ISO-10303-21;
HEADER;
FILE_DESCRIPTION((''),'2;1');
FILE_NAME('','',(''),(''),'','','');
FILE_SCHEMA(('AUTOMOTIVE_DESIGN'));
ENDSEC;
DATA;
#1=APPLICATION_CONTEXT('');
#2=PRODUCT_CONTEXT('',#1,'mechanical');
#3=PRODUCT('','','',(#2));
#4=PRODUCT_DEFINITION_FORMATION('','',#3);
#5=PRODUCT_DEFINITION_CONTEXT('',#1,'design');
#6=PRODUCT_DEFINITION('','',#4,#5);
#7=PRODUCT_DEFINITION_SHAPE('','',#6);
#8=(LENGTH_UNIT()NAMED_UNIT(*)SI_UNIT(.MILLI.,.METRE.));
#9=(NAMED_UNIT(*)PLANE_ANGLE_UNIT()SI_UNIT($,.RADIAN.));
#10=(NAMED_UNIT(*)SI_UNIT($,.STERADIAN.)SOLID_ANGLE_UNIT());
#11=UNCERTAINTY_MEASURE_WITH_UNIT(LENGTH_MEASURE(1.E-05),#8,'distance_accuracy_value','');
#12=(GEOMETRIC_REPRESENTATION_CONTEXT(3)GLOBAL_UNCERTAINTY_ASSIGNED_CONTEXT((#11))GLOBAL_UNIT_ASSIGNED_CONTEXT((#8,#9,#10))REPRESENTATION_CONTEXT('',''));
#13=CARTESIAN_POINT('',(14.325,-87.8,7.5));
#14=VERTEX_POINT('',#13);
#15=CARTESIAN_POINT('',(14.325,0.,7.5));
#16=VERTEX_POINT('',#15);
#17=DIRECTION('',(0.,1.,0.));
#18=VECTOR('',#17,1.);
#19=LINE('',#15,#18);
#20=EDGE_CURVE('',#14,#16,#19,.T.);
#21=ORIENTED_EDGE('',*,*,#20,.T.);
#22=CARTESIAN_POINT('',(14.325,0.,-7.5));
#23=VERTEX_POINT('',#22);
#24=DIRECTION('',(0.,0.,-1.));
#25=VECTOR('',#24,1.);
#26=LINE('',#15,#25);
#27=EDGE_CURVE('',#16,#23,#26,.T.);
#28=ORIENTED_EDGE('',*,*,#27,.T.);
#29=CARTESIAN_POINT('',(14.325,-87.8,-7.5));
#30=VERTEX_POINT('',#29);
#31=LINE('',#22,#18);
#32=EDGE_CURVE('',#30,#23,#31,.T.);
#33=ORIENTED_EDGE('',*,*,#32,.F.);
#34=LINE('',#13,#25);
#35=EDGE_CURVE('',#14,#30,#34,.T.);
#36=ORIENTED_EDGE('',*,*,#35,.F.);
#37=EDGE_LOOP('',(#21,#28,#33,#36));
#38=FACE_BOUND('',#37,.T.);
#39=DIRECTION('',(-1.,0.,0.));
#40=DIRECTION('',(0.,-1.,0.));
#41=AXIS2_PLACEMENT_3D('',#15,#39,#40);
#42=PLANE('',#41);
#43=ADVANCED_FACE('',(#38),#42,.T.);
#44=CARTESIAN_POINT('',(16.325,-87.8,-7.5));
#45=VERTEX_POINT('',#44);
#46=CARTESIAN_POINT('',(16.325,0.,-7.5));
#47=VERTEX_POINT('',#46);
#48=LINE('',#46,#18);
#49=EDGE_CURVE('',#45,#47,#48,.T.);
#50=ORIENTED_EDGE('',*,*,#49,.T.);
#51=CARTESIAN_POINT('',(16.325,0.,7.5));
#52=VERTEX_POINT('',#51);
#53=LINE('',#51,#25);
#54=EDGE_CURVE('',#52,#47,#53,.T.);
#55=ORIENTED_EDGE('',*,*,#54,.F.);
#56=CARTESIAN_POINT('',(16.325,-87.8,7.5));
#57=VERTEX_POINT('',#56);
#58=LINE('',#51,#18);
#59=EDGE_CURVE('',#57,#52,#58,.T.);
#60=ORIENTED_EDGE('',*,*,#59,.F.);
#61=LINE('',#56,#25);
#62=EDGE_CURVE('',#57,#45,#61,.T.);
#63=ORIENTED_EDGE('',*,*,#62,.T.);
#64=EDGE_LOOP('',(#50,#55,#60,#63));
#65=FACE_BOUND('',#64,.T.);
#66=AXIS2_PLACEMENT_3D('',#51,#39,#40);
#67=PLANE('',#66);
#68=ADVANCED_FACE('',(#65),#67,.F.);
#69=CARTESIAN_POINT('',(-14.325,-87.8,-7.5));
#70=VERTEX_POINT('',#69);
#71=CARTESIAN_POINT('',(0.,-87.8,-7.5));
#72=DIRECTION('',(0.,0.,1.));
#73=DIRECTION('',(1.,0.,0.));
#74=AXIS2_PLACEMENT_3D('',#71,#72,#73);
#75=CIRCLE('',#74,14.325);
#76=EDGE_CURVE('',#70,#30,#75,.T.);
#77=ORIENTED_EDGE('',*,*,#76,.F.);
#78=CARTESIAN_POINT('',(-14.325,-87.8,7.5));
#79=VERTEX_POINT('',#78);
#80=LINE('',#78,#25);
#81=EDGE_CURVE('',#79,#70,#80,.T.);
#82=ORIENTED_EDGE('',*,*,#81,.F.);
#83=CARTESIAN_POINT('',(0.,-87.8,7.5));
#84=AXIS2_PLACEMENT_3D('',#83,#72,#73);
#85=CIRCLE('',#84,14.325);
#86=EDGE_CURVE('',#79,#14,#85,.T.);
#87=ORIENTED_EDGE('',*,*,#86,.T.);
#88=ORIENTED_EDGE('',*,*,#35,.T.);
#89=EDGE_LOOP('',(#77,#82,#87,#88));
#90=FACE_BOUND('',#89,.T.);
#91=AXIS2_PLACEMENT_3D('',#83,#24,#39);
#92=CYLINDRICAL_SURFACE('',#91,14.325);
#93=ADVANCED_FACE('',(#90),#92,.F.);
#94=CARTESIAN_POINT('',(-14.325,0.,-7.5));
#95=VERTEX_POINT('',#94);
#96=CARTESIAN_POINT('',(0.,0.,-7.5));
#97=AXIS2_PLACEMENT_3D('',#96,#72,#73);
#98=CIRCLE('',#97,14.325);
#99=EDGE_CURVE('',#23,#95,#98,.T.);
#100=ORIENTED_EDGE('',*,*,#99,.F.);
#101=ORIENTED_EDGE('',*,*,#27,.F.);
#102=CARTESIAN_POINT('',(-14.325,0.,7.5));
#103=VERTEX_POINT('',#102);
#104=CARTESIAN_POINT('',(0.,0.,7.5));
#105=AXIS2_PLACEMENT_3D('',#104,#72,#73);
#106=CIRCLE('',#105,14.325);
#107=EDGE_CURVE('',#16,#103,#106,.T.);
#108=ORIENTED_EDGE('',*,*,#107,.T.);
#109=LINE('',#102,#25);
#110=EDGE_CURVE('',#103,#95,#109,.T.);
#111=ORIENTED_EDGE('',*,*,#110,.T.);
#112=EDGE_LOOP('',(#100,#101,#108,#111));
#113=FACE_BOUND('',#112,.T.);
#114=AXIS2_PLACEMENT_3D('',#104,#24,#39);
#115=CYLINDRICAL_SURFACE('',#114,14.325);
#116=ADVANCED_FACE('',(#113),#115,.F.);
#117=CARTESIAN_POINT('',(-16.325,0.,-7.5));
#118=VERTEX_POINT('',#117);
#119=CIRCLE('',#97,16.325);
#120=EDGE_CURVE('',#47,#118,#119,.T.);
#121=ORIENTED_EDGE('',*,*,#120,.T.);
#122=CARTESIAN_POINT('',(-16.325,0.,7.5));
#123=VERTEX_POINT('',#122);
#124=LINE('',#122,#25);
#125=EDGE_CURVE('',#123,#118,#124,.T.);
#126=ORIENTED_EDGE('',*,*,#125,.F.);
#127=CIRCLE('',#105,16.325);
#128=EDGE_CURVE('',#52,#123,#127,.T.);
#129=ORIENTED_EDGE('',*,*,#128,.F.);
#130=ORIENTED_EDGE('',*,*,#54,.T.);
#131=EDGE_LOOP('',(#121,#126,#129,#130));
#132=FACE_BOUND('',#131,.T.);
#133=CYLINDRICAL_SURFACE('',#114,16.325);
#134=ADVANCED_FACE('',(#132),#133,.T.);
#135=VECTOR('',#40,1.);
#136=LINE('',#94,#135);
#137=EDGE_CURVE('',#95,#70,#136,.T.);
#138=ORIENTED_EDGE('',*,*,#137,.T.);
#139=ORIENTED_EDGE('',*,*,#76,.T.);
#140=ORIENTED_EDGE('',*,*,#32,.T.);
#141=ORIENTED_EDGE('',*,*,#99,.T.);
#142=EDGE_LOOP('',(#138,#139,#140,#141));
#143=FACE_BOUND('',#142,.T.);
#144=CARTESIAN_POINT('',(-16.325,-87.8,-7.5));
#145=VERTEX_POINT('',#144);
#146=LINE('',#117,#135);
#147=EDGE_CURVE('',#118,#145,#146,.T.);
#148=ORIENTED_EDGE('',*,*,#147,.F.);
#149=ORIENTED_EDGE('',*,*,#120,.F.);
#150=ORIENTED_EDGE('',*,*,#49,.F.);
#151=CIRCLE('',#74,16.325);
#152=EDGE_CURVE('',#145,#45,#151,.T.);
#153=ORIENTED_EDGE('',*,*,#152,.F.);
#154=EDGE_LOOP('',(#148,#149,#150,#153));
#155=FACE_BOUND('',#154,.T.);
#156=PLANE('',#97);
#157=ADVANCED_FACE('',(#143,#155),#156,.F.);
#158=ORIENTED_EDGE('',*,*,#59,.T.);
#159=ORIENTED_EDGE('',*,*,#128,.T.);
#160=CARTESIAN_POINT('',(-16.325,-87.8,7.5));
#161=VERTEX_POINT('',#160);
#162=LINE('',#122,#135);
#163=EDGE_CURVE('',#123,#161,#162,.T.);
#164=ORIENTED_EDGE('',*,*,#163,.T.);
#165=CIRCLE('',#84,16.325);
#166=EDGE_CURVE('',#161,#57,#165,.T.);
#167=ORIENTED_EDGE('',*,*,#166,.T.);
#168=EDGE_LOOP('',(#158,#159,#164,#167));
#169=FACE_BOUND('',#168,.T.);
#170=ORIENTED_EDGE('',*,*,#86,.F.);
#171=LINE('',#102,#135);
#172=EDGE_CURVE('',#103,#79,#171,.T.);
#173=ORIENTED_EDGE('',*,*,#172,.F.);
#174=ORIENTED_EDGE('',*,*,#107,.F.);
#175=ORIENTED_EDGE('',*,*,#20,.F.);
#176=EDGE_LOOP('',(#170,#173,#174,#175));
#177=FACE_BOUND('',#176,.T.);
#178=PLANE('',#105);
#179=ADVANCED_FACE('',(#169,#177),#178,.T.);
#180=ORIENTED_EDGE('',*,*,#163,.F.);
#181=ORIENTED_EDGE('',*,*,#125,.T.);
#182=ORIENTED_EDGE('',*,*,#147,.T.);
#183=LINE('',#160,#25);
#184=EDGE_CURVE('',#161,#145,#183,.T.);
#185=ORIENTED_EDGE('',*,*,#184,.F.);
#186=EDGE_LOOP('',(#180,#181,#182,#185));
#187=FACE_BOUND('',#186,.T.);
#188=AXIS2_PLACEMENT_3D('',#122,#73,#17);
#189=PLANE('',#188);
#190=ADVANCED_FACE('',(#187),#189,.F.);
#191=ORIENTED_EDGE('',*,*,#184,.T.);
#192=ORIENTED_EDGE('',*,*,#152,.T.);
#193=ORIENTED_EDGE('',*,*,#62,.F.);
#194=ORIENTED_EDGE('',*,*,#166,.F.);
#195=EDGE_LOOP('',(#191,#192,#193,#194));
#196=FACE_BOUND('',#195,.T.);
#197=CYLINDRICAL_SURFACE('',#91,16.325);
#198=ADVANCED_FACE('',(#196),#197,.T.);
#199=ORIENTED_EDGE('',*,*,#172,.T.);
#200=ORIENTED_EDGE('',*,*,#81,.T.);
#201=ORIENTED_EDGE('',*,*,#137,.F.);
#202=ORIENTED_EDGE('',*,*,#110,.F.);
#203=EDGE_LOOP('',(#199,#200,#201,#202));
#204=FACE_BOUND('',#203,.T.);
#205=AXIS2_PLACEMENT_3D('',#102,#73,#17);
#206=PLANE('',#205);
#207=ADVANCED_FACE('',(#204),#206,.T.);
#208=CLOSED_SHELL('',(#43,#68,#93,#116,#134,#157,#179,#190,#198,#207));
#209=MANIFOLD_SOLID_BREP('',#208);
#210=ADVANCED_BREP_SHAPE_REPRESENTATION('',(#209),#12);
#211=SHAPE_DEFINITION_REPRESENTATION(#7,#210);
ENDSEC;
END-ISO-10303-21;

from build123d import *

# Parameters (mm, degrees)
EXTRUDE_1_DEPTH = 7.5


with BuildPart() as part:
    # 草图1 → 拉伸-薄壁1 (new body, symmetric)
    with BuildSketch(Plane.XY):
        with BuildLine():
            Line((-16.325, -87.8), (-16.325, 0))
            ThreePointArc((-16.325, 0), (0, 16.325), (16.325, 0))
            Line((16.325, 0), (16.325, -87.8))
            ThreePointArc((16.325, -87.8), (0, -104.125), (-16.325, -87.8))
        make_face()
        with BuildLine():
            Line((-14.325, -87.8), (-14.325, 0))
            ThreePointArc((-14.325, 0), (0, 14.325), (14.325, 0))
            Line((14.325, 0), (14.325, -87.8))
            ThreePointArc((14.325, -87.8), (0, -102.125), (-14.325, -87.8))
        make_face(mode=Mode.SUBTRACT)
    extrude(amount=EXTRUDE_1_DEPTH, both=True)


solid = part.part
